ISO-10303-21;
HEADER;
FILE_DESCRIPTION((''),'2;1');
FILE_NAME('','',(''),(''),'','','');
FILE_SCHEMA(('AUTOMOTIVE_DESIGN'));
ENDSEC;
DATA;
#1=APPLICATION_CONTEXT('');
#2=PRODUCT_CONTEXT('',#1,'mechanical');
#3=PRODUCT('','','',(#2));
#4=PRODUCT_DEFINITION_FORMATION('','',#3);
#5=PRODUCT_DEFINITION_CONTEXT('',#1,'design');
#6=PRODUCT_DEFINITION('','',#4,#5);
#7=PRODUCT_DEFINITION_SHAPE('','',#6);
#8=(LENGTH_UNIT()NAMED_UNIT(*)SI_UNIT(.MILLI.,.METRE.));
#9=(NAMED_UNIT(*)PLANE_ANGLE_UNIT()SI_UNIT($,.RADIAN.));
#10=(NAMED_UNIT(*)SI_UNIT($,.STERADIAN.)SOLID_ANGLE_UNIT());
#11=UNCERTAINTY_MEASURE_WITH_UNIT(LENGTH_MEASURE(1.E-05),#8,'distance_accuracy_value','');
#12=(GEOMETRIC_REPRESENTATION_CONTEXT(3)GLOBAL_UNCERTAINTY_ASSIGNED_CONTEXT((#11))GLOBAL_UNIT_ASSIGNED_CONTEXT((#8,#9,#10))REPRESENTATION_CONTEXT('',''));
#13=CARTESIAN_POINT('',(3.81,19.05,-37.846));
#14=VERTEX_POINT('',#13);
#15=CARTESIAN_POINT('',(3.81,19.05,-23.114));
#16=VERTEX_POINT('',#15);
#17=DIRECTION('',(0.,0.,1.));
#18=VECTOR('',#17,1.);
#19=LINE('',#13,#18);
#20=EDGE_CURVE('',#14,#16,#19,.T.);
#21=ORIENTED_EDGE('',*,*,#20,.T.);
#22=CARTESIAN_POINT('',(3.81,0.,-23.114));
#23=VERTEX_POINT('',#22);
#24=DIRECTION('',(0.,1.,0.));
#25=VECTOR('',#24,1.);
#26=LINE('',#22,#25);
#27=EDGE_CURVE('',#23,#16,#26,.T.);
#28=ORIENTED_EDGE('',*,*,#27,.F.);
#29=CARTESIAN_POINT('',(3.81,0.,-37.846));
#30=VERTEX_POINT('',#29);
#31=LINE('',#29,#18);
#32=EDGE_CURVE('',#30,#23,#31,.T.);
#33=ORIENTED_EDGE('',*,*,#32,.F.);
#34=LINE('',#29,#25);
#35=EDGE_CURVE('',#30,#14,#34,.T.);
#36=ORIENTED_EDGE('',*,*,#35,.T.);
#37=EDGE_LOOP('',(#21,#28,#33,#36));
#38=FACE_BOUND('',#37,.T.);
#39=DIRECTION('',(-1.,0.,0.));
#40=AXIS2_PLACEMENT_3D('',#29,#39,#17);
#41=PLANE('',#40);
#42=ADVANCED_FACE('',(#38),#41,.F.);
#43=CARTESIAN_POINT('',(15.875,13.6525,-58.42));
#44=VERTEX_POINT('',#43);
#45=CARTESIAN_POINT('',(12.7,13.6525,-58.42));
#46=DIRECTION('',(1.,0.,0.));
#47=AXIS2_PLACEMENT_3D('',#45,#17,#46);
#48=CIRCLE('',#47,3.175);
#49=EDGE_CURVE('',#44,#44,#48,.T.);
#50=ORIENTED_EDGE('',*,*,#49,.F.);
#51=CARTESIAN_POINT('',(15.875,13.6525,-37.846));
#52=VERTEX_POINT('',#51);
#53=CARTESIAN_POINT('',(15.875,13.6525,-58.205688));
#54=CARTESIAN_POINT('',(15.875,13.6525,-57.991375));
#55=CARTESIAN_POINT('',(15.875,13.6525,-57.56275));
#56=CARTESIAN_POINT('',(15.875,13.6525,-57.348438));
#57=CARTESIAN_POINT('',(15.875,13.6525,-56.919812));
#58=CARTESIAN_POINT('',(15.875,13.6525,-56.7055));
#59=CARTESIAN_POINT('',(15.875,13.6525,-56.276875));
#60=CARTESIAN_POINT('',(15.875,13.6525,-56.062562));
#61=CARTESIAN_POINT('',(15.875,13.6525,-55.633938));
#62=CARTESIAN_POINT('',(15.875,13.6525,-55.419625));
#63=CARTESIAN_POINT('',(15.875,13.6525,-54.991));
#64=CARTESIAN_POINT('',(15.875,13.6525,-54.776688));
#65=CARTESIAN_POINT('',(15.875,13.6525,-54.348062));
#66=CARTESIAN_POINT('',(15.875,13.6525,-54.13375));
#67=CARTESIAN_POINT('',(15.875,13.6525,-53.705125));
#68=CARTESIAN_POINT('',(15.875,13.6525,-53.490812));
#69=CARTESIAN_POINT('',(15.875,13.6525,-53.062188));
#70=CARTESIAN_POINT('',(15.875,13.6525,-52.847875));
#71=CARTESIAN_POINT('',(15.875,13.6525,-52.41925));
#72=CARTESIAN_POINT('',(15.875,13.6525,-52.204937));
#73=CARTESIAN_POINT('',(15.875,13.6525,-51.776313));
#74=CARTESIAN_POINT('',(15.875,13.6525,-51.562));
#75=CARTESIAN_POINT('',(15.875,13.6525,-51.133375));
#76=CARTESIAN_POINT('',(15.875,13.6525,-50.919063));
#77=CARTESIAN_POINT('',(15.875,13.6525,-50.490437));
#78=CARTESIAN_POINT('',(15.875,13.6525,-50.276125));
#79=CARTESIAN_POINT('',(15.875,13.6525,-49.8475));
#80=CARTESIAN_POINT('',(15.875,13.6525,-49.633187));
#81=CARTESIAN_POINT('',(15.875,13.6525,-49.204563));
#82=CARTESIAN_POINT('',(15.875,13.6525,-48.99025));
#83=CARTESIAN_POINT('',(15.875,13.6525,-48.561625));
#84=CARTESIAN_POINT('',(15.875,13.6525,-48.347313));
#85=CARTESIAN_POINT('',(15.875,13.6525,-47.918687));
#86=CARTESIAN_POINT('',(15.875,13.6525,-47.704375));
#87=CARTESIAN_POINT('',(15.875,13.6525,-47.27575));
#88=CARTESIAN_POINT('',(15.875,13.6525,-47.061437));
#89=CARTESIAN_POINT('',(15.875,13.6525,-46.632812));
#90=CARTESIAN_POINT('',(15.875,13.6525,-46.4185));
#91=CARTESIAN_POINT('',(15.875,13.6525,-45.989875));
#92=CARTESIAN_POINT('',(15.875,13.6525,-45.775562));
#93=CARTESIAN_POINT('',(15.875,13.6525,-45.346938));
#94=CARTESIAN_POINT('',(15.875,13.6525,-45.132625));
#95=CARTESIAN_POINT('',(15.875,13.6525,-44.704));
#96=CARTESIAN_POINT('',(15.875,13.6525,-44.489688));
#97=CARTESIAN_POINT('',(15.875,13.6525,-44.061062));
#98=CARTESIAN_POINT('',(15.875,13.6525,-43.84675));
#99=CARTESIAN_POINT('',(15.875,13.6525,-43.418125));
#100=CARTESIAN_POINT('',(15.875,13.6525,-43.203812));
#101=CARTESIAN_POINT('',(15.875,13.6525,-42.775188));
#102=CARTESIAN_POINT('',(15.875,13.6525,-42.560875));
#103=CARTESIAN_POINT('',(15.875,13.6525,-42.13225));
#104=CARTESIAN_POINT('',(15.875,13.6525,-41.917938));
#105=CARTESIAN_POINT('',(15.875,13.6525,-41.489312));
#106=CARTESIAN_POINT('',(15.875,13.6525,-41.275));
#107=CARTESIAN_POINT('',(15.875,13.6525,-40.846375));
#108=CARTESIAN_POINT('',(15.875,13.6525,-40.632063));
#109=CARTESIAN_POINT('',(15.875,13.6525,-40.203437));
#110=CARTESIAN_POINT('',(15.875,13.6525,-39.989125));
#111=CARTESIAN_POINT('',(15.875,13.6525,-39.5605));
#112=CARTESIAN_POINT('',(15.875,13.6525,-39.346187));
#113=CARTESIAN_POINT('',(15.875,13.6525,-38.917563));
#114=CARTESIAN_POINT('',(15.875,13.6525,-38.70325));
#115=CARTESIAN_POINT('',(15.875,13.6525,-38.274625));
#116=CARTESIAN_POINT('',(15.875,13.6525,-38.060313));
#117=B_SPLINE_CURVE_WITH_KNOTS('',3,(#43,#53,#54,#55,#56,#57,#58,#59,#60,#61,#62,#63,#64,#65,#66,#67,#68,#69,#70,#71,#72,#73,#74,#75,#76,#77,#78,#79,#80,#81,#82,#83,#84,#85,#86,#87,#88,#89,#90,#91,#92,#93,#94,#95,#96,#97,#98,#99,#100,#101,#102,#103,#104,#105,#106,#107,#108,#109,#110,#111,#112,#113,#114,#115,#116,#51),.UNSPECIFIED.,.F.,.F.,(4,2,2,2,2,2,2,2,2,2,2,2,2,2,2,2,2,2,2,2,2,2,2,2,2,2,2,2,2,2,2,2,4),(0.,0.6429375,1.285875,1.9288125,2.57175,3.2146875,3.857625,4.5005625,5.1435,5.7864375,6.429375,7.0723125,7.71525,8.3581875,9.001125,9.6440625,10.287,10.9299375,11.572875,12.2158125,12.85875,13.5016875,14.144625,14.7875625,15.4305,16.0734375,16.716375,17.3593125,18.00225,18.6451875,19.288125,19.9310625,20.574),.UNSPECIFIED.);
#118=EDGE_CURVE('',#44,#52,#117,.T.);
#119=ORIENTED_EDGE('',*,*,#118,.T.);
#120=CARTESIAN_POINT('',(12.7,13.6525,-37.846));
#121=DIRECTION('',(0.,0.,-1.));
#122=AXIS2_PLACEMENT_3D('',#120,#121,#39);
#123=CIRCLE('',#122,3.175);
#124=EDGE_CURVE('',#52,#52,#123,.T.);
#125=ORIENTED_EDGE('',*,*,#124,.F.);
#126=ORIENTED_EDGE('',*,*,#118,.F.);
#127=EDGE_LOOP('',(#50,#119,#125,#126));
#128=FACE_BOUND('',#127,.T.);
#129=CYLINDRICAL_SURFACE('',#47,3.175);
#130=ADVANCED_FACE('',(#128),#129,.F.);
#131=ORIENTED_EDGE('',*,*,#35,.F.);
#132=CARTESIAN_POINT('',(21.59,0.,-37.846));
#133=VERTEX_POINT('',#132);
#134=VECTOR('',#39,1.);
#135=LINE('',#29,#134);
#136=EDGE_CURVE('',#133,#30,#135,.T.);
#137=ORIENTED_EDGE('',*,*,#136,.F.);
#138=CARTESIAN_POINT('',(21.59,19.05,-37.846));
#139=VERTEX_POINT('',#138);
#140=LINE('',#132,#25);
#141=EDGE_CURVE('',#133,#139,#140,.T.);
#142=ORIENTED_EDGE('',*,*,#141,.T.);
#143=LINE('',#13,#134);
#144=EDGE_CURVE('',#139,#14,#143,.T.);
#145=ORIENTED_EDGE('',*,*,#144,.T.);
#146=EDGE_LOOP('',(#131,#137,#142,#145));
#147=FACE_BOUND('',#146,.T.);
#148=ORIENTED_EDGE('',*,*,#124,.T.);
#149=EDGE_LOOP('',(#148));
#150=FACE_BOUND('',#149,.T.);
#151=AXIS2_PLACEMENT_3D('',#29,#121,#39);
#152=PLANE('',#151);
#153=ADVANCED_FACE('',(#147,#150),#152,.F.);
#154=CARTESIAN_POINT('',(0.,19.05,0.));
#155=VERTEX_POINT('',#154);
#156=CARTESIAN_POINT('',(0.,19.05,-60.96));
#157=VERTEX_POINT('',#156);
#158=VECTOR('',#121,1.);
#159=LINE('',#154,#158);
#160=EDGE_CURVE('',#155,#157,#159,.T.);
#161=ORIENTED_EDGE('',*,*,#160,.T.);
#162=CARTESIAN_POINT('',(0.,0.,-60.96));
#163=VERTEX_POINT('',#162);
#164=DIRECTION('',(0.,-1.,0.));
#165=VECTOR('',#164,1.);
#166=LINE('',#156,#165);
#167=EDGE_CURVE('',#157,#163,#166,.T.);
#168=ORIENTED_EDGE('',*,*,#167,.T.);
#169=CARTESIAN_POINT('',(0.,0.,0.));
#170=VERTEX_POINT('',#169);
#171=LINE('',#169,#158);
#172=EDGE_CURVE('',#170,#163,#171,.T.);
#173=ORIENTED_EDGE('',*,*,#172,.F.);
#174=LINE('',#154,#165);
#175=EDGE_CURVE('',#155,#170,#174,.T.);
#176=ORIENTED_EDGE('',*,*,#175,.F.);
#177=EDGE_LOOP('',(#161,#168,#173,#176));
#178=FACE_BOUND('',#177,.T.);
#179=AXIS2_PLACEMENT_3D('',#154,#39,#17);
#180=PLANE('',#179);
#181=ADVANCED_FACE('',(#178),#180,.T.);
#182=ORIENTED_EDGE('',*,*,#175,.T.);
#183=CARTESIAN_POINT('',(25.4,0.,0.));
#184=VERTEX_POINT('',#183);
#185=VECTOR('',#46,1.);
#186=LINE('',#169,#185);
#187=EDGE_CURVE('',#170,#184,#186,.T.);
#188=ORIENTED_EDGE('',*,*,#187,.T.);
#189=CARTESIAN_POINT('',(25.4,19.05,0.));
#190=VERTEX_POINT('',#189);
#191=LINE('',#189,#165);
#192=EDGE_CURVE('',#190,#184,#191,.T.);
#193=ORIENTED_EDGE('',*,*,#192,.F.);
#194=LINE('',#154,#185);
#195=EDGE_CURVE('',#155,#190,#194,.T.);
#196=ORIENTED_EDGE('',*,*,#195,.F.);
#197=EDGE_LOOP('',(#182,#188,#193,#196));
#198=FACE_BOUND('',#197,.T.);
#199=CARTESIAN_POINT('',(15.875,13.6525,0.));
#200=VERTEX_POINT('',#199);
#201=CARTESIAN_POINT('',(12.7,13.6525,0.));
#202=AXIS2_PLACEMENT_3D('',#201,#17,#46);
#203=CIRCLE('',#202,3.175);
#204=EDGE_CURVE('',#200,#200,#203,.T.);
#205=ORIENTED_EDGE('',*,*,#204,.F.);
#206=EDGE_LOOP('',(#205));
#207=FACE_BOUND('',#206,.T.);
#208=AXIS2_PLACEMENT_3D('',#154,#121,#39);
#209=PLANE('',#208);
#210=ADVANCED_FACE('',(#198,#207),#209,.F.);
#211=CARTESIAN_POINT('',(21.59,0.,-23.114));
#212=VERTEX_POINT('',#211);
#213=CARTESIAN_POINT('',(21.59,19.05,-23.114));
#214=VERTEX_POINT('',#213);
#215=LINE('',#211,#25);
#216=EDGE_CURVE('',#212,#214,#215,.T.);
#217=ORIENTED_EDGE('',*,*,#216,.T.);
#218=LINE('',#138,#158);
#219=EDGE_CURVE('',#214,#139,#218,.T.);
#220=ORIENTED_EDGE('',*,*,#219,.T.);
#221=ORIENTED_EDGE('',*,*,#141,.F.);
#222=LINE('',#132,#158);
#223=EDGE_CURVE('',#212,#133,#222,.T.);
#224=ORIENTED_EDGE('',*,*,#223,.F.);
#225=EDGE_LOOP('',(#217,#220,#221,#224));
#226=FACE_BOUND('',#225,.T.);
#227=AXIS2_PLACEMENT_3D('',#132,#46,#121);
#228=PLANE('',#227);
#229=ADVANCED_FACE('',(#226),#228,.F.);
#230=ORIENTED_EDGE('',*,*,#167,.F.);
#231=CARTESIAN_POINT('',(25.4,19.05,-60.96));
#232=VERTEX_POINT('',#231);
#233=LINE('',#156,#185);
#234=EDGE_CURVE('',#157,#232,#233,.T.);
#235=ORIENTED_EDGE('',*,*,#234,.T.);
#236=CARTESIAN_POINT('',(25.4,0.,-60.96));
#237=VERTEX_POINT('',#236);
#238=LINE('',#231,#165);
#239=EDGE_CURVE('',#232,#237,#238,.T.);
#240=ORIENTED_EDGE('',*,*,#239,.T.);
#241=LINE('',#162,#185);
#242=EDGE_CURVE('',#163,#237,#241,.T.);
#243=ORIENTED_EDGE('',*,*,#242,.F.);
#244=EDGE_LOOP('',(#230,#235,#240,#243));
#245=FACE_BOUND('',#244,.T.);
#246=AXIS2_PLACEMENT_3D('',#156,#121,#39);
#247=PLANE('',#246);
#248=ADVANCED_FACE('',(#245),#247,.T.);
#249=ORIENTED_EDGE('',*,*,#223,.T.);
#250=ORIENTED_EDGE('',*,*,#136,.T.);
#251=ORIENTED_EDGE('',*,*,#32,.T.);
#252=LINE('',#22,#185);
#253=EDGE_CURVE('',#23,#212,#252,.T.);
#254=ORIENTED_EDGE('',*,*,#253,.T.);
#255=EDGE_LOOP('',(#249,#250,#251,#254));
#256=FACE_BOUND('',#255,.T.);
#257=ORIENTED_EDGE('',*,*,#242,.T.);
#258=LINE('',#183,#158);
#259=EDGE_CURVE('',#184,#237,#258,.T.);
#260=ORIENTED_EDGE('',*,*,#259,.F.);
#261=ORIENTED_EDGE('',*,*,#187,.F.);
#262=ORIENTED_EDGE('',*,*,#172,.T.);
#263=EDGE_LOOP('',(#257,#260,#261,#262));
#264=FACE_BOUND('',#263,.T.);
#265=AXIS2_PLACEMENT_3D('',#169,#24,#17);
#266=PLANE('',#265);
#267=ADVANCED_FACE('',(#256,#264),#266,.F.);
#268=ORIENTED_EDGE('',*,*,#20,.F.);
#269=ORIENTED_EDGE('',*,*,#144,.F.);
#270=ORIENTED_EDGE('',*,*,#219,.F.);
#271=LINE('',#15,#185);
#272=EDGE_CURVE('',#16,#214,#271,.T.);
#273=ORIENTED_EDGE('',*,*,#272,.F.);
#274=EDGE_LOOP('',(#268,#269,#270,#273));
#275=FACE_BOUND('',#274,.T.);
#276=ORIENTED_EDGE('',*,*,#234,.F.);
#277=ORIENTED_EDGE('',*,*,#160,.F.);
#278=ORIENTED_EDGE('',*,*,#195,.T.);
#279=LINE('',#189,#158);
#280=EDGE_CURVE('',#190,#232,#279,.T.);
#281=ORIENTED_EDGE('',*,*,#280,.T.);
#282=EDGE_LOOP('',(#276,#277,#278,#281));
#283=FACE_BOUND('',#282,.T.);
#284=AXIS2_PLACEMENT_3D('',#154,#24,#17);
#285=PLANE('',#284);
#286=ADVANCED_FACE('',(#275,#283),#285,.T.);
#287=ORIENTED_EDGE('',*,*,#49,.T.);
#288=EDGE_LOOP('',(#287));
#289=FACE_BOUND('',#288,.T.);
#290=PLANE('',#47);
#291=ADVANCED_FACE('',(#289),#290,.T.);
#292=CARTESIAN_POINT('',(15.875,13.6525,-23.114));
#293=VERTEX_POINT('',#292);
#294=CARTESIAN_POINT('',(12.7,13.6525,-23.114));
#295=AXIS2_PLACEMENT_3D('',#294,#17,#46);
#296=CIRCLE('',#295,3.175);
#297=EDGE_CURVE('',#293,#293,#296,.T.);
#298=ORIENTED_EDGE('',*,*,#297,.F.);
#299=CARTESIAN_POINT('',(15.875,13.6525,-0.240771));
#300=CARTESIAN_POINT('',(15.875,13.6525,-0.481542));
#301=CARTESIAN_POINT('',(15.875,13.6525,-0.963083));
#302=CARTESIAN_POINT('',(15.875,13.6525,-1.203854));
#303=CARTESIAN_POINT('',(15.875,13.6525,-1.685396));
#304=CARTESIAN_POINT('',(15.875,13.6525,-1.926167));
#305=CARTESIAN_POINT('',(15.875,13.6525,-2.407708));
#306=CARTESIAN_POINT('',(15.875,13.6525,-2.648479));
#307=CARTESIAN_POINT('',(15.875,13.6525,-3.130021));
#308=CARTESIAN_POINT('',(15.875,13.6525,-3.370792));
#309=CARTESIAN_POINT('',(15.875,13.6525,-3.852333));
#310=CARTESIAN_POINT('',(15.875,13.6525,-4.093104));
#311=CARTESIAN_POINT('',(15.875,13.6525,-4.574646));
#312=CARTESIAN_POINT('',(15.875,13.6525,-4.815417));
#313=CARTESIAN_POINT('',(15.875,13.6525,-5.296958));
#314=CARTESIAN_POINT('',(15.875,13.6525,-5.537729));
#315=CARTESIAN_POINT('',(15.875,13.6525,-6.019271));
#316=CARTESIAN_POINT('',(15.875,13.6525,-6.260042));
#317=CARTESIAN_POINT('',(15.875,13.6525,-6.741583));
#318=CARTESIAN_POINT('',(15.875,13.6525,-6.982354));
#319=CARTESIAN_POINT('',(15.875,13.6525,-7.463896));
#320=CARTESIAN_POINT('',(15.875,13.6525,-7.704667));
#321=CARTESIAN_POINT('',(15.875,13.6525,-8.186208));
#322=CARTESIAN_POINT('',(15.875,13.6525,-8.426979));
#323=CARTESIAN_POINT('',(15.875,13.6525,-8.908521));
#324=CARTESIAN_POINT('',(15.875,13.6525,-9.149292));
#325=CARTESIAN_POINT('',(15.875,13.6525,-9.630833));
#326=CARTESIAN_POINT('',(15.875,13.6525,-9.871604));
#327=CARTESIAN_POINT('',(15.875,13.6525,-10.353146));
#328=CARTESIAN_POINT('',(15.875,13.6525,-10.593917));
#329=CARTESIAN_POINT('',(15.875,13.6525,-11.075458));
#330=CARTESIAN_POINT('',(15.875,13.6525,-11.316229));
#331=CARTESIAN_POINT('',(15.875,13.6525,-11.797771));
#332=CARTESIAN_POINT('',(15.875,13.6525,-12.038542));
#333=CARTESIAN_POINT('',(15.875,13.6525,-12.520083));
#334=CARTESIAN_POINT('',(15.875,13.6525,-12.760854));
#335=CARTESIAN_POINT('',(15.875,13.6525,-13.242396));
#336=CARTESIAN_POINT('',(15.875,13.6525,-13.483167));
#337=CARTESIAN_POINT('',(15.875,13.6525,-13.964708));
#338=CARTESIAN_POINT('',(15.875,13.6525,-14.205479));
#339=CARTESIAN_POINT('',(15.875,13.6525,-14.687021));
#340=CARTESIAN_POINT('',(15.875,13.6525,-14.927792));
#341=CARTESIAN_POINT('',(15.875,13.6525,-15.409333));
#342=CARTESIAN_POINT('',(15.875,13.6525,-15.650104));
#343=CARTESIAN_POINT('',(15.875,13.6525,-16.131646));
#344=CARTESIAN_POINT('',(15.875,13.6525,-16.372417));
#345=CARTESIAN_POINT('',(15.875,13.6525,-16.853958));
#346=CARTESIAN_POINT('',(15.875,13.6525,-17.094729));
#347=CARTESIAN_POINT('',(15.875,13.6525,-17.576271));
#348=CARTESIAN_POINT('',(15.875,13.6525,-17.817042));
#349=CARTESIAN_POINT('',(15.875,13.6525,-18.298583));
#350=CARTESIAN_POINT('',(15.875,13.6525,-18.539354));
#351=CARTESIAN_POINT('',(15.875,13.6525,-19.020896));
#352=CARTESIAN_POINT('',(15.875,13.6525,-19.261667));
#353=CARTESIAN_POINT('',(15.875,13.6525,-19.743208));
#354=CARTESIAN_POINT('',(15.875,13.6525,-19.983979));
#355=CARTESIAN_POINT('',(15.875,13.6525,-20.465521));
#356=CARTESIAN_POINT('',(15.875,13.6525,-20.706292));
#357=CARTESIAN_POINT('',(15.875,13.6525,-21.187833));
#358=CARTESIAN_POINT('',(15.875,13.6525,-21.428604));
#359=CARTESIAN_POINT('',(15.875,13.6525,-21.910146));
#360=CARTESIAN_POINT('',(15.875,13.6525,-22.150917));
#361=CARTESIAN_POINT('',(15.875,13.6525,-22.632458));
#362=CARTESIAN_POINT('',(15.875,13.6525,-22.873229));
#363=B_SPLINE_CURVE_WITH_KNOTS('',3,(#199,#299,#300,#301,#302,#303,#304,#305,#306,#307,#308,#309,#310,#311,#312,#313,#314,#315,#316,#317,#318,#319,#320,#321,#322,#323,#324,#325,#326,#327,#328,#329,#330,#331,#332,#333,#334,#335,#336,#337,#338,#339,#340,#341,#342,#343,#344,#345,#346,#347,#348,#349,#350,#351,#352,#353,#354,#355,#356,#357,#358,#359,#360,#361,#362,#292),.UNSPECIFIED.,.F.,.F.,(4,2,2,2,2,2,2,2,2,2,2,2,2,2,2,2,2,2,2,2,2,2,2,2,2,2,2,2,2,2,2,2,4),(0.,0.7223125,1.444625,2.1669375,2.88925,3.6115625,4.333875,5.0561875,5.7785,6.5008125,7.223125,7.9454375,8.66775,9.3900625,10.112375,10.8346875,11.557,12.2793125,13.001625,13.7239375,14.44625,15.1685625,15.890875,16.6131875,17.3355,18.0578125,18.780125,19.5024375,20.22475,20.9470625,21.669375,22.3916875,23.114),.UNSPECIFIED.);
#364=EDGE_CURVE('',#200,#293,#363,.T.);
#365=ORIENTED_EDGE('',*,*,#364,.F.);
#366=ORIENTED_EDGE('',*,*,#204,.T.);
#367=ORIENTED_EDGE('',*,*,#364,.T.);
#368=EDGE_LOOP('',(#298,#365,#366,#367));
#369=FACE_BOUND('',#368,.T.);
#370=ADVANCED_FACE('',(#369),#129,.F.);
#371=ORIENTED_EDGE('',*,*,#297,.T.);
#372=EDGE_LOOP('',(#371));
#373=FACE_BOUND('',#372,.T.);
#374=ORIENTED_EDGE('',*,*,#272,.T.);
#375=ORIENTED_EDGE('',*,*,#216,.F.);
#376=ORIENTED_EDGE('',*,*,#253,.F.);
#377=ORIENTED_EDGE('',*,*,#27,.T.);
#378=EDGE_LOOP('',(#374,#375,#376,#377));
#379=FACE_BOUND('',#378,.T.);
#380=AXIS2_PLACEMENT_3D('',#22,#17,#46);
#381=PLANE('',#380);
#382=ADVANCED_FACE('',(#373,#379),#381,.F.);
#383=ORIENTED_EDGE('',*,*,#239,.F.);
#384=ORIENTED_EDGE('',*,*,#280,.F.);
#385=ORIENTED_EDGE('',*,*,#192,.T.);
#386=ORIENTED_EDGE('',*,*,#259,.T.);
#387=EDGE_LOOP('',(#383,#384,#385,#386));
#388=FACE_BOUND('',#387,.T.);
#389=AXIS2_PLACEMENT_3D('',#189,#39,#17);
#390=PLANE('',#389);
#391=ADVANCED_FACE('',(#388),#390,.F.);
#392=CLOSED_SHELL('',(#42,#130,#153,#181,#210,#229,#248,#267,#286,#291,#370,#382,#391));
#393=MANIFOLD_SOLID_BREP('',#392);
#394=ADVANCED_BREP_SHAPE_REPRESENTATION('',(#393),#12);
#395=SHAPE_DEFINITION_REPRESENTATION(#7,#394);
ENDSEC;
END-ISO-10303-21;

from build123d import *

# Parameters (mm, degrees)
SKETCH1_W           = 25.4
SKETCH1_H           = 60.96
BOSS_EXTRUDE1_DEPTH = 19.05
SKETCH3_W           = 17.78
SKETCH3_H           = 14.732
CUT_EXTRUDE1_DEPTH  = 19.05
SKETCH5_R           = 3.175
CUT_EXTRUDE3_DEPTH  = 58.42


with BuildPart() as part:
    # Sketch1 → Boss-Extrude1 (new body)
    with BuildSketch(Plane(origin=(0, 0, 0), x_dir=(1, 0, 0), z_dir=(0, 1, 0))):
        with Locations((12.7, 30.48)):
            Rectangle(SKETCH1_W, SKETCH1_H)
    extrude(amount=BOSS_EXTRUDE1_DEPTH)

    # Sketch3 → Cut-Extrude1 (cut)
    with BuildSketch(Plane(origin=(0, 19.05, 0), x_dir=(1, 0, 0), z_dir=(0, 1, 0))):
        with Locations((12.7, 30.48)):
            Rectangle(SKETCH3_W, SKETCH3_H)
    extrude(amount=-CUT_EXTRUDE1_DEPTH, mode=Mode.SUBTRACT)

    # Sketch5 → Cut-Extrude3 (cut)
    with BuildSketch(Plane.XY):
        with Locations((12.7, 13.6525)):
            Circle(SKETCH5_R)
    extrude(amount=-CUT_EXTRUDE3_DEPTH, mode=Mode.SUBTRACT)


solid = part.part
